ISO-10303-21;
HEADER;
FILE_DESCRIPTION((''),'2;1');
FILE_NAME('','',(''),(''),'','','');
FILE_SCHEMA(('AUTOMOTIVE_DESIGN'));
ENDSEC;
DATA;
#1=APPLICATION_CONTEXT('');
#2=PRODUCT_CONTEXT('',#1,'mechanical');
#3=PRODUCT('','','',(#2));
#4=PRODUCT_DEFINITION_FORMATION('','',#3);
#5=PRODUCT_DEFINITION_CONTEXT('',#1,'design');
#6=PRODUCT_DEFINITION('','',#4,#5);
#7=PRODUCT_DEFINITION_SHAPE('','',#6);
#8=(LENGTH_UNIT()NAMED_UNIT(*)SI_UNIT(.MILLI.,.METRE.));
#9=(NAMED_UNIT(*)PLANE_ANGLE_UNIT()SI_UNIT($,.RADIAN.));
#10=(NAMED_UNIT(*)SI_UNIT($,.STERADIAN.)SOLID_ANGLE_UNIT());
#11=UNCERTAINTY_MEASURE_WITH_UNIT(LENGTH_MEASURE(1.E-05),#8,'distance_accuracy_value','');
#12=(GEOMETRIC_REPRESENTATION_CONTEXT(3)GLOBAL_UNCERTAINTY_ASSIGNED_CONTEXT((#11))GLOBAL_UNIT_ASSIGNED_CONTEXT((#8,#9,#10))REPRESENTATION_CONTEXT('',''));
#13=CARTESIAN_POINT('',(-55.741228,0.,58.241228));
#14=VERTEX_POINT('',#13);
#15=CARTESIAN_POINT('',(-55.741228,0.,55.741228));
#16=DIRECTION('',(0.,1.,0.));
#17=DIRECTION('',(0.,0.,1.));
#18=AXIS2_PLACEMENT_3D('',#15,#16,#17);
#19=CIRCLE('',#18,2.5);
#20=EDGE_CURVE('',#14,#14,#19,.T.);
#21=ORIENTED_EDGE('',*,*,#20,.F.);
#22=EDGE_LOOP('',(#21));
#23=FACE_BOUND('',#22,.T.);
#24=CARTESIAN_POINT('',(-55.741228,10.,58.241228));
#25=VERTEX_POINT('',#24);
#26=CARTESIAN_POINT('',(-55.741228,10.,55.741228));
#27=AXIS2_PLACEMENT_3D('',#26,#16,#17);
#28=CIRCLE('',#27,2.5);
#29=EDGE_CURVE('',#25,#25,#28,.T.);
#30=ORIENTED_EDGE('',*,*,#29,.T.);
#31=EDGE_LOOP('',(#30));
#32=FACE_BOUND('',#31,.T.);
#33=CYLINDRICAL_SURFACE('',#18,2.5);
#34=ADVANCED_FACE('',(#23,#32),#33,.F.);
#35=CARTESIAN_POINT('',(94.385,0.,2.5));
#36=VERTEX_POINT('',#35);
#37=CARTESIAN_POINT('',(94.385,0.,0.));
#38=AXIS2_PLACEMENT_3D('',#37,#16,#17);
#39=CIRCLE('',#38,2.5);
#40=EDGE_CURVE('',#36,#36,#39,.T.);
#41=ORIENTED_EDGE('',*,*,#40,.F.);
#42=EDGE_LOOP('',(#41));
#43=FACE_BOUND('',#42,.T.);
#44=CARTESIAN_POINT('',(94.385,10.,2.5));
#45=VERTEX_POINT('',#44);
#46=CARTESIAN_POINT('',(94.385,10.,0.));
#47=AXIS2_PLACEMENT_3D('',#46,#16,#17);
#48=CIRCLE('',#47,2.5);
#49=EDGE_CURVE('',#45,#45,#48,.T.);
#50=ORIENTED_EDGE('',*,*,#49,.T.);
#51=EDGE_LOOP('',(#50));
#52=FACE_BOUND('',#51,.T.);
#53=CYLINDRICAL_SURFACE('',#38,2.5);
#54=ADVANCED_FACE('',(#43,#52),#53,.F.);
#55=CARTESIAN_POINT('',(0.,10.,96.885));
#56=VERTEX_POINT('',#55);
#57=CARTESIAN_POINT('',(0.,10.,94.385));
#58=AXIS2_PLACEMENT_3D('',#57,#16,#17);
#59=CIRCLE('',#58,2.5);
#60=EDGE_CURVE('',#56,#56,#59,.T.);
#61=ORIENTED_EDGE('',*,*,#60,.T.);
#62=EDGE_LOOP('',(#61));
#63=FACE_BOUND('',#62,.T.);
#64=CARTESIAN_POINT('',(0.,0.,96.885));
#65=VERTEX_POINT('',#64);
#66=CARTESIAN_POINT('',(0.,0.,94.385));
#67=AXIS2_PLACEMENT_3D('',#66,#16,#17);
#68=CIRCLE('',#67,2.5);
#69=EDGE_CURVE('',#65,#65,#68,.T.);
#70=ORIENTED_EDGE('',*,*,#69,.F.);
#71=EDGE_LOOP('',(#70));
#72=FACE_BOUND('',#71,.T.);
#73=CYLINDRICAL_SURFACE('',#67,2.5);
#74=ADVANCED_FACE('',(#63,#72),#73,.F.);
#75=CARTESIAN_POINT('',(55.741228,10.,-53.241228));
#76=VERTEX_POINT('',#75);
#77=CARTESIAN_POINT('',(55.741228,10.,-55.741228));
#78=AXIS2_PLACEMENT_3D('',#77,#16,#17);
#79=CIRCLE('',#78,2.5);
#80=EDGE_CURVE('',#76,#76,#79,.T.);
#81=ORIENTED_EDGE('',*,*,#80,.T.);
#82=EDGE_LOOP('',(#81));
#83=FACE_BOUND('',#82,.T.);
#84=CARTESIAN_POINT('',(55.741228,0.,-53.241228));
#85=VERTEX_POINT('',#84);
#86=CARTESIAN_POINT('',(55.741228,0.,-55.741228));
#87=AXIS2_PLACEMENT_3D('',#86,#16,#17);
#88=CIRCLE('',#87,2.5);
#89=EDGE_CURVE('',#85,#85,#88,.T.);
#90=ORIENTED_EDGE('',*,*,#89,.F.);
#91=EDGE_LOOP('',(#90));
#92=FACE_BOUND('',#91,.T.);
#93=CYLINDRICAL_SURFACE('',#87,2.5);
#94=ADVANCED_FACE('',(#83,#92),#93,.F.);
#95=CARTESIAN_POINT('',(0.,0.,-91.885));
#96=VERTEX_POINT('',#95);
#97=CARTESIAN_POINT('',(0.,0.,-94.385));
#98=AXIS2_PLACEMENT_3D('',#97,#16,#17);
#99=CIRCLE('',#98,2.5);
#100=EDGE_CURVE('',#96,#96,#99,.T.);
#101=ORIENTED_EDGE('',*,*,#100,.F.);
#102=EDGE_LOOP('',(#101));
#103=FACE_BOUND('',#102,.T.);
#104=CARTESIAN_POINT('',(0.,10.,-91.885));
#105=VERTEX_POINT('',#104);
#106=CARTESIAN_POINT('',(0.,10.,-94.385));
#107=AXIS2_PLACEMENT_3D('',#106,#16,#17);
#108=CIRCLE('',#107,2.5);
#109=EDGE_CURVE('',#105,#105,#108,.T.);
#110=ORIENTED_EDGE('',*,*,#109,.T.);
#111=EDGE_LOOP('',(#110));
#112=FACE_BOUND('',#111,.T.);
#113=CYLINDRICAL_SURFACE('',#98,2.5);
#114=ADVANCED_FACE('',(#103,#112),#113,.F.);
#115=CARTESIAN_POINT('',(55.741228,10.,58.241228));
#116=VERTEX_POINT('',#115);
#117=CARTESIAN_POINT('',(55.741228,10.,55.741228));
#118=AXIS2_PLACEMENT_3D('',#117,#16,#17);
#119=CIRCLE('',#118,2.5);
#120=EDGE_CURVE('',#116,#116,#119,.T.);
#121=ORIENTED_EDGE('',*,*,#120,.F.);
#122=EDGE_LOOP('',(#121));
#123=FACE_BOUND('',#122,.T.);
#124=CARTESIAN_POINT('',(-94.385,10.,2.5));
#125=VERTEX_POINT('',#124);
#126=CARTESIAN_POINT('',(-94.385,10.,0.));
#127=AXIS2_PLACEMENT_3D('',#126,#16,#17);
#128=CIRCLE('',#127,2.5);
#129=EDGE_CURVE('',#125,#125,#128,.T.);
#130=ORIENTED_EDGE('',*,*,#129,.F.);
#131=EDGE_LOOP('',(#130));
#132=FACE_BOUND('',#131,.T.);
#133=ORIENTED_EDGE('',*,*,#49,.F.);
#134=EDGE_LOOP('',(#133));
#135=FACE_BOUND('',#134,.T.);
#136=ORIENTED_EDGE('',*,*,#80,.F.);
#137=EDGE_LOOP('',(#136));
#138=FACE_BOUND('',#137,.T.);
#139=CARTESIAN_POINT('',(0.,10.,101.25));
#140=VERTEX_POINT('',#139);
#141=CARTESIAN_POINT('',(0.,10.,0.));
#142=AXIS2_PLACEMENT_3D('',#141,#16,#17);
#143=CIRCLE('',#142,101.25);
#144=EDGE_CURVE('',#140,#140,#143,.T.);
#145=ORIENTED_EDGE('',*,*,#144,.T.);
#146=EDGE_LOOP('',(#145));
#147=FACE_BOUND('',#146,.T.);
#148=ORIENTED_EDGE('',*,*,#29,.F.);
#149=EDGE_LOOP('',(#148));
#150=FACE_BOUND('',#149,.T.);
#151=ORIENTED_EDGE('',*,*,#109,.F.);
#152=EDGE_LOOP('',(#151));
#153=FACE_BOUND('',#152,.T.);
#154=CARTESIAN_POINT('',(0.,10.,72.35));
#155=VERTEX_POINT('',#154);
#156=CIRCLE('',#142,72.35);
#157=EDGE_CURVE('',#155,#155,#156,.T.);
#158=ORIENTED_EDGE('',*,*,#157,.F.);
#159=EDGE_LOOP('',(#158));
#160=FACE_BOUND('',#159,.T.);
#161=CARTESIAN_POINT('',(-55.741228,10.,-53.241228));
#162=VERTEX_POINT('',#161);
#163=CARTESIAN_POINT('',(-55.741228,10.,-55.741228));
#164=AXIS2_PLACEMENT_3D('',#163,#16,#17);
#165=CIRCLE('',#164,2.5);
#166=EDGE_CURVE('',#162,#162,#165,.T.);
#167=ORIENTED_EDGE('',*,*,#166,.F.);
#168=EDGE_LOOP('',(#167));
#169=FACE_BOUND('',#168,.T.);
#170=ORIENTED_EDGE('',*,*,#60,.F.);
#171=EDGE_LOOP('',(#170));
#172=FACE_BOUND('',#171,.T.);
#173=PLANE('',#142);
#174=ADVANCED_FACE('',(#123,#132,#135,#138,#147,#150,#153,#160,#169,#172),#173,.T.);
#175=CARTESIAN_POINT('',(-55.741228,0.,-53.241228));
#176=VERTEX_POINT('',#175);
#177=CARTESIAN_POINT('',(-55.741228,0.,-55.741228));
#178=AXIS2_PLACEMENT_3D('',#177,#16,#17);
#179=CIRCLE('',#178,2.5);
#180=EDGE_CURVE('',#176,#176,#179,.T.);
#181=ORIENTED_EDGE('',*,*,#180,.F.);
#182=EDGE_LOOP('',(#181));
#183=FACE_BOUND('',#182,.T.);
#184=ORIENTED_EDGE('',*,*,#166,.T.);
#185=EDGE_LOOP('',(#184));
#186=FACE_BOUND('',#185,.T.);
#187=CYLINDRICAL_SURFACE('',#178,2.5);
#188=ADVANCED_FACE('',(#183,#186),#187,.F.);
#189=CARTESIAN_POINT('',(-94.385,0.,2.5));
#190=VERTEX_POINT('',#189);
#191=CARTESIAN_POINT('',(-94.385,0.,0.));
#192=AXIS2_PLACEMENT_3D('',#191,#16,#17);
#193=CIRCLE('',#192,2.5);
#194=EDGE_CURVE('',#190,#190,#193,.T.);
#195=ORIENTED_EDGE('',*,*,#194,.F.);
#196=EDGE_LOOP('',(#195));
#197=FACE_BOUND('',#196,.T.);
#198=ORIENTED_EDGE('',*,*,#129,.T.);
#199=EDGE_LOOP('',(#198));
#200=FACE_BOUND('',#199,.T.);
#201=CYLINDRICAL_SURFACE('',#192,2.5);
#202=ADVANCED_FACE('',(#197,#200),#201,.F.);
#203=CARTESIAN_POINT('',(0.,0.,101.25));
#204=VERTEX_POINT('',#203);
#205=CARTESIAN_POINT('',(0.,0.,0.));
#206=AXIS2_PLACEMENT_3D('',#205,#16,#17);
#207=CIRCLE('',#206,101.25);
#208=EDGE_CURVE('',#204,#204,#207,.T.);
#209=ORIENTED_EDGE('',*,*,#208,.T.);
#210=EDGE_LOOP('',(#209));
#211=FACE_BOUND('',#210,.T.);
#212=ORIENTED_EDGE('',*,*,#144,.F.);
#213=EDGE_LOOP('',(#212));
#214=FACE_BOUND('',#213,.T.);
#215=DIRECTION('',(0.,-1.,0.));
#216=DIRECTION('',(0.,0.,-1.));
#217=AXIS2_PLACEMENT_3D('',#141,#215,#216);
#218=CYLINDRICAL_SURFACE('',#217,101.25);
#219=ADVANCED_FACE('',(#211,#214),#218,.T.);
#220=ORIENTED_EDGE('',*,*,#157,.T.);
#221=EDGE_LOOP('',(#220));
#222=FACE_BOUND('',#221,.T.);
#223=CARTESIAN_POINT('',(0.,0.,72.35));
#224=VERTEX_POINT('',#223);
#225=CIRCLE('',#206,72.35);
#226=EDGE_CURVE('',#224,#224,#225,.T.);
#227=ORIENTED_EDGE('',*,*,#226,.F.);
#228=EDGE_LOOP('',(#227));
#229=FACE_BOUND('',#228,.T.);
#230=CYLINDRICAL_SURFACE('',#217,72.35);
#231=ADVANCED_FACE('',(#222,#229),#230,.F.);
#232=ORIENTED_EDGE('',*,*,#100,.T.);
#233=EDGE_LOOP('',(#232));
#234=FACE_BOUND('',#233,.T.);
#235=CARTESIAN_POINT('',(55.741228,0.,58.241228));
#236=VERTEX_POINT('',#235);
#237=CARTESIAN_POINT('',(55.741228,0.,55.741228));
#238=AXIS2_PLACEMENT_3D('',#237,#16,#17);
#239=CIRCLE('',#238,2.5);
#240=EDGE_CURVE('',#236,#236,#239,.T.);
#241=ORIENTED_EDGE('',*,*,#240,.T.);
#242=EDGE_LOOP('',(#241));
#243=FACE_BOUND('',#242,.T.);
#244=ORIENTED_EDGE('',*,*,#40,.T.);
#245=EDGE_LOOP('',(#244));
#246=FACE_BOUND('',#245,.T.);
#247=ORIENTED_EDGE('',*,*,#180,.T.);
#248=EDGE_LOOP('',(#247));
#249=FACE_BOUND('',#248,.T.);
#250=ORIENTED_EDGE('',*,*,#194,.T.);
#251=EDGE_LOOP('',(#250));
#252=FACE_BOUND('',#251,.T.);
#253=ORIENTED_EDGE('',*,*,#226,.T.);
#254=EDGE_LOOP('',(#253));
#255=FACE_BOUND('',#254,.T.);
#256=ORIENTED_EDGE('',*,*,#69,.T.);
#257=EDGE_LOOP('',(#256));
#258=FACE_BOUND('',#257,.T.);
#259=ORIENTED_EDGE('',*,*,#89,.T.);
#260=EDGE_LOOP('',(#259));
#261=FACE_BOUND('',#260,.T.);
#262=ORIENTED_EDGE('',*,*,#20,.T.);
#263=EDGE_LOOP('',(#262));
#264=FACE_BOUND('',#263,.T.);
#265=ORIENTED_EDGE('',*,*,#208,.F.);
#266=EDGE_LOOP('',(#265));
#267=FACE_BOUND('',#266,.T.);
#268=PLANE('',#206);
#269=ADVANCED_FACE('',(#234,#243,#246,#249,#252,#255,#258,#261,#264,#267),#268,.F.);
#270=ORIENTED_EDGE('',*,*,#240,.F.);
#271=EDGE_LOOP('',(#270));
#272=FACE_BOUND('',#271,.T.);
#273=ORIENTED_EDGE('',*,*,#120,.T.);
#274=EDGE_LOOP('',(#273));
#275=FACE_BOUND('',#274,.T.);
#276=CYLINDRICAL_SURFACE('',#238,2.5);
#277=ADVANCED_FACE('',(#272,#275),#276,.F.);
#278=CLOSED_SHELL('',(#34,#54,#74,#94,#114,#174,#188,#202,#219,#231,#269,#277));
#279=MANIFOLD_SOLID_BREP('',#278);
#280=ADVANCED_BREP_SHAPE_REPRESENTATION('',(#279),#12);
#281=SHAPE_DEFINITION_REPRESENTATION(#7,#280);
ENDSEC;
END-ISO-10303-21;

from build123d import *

# Parameters (mm, degrees)
SKETCH_2_R          = 101.25
SKETCH_2_R_2        = 72.35
EXTRUDE_1_DEPTH     = 10
SKETCH_3_R          = 2.5
CUT_EXTRUDE_1_DEPTH = 144.537886985


with BuildPart() as part:
    # 草图2 → 凸台-拉伸1 (new body)
    with BuildSketch(Plane(origin=(0, 0, 0), x_dir=(1, 0, 0), z_dir=(0, 1, 0))):
        with Locations(Location((0, 0, 0), (0, 0, 270))):
            Circle(SKETCH_2_R)
        with Locations(Location((0, 0, 0), (0, 0, 270))):
            Circle(SKETCH_2_R_2, mode=Mode.SUBTRACT)
    extrude(amount=EXTRUDE_1_DEPTH)

    # 草图3 → 切除-拉伸1 (cut, through all)
    with BuildSketch(Plane(origin=(0, 10, 0), x_dir=(1, 0, 0), z_dir=(0, 1, 0))):
        with Locations(Location((0, 94.385, 0), (0, 0, 270))):
            Circle(SKETCH_3_R)
        with Locations(Location((55.741227561, 55.741227561, 0), (0, 0, 270))):
            Circle(SKETCH_3_R)
        with Locations(Location((94.385, 0, 0), (0, 0, 270))):
            Circle(SKETCH_3_R)
        with Locations(Location((0, -94.385, 0), (0, 0, 270))):
            Circle(SKETCH_3_R)
        with Locations(Location((-94.385, 0, 0), (0, 0, 270))):
            Circle(SKETCH_3_R)
        with Locations(Location((55.741227561, -55.741227561, 0), (0, 0, 270))):
            Circle(SKETCH_3_R)
        with Locations(Location((-55.741227561, -55.741227561, 0), (0, 0, 270))):
            Circle(SKETCH_3_R)
        with Locations(Location((-55.741227561, 55.741227561, 0), (0, 0, 270))):
            Circle(SKETCH_3_R)
    extrude(amount=-CUT_EXTRUDE_1_DEPTH, mode=Mode.SUBTRACT)


solid = part.part
